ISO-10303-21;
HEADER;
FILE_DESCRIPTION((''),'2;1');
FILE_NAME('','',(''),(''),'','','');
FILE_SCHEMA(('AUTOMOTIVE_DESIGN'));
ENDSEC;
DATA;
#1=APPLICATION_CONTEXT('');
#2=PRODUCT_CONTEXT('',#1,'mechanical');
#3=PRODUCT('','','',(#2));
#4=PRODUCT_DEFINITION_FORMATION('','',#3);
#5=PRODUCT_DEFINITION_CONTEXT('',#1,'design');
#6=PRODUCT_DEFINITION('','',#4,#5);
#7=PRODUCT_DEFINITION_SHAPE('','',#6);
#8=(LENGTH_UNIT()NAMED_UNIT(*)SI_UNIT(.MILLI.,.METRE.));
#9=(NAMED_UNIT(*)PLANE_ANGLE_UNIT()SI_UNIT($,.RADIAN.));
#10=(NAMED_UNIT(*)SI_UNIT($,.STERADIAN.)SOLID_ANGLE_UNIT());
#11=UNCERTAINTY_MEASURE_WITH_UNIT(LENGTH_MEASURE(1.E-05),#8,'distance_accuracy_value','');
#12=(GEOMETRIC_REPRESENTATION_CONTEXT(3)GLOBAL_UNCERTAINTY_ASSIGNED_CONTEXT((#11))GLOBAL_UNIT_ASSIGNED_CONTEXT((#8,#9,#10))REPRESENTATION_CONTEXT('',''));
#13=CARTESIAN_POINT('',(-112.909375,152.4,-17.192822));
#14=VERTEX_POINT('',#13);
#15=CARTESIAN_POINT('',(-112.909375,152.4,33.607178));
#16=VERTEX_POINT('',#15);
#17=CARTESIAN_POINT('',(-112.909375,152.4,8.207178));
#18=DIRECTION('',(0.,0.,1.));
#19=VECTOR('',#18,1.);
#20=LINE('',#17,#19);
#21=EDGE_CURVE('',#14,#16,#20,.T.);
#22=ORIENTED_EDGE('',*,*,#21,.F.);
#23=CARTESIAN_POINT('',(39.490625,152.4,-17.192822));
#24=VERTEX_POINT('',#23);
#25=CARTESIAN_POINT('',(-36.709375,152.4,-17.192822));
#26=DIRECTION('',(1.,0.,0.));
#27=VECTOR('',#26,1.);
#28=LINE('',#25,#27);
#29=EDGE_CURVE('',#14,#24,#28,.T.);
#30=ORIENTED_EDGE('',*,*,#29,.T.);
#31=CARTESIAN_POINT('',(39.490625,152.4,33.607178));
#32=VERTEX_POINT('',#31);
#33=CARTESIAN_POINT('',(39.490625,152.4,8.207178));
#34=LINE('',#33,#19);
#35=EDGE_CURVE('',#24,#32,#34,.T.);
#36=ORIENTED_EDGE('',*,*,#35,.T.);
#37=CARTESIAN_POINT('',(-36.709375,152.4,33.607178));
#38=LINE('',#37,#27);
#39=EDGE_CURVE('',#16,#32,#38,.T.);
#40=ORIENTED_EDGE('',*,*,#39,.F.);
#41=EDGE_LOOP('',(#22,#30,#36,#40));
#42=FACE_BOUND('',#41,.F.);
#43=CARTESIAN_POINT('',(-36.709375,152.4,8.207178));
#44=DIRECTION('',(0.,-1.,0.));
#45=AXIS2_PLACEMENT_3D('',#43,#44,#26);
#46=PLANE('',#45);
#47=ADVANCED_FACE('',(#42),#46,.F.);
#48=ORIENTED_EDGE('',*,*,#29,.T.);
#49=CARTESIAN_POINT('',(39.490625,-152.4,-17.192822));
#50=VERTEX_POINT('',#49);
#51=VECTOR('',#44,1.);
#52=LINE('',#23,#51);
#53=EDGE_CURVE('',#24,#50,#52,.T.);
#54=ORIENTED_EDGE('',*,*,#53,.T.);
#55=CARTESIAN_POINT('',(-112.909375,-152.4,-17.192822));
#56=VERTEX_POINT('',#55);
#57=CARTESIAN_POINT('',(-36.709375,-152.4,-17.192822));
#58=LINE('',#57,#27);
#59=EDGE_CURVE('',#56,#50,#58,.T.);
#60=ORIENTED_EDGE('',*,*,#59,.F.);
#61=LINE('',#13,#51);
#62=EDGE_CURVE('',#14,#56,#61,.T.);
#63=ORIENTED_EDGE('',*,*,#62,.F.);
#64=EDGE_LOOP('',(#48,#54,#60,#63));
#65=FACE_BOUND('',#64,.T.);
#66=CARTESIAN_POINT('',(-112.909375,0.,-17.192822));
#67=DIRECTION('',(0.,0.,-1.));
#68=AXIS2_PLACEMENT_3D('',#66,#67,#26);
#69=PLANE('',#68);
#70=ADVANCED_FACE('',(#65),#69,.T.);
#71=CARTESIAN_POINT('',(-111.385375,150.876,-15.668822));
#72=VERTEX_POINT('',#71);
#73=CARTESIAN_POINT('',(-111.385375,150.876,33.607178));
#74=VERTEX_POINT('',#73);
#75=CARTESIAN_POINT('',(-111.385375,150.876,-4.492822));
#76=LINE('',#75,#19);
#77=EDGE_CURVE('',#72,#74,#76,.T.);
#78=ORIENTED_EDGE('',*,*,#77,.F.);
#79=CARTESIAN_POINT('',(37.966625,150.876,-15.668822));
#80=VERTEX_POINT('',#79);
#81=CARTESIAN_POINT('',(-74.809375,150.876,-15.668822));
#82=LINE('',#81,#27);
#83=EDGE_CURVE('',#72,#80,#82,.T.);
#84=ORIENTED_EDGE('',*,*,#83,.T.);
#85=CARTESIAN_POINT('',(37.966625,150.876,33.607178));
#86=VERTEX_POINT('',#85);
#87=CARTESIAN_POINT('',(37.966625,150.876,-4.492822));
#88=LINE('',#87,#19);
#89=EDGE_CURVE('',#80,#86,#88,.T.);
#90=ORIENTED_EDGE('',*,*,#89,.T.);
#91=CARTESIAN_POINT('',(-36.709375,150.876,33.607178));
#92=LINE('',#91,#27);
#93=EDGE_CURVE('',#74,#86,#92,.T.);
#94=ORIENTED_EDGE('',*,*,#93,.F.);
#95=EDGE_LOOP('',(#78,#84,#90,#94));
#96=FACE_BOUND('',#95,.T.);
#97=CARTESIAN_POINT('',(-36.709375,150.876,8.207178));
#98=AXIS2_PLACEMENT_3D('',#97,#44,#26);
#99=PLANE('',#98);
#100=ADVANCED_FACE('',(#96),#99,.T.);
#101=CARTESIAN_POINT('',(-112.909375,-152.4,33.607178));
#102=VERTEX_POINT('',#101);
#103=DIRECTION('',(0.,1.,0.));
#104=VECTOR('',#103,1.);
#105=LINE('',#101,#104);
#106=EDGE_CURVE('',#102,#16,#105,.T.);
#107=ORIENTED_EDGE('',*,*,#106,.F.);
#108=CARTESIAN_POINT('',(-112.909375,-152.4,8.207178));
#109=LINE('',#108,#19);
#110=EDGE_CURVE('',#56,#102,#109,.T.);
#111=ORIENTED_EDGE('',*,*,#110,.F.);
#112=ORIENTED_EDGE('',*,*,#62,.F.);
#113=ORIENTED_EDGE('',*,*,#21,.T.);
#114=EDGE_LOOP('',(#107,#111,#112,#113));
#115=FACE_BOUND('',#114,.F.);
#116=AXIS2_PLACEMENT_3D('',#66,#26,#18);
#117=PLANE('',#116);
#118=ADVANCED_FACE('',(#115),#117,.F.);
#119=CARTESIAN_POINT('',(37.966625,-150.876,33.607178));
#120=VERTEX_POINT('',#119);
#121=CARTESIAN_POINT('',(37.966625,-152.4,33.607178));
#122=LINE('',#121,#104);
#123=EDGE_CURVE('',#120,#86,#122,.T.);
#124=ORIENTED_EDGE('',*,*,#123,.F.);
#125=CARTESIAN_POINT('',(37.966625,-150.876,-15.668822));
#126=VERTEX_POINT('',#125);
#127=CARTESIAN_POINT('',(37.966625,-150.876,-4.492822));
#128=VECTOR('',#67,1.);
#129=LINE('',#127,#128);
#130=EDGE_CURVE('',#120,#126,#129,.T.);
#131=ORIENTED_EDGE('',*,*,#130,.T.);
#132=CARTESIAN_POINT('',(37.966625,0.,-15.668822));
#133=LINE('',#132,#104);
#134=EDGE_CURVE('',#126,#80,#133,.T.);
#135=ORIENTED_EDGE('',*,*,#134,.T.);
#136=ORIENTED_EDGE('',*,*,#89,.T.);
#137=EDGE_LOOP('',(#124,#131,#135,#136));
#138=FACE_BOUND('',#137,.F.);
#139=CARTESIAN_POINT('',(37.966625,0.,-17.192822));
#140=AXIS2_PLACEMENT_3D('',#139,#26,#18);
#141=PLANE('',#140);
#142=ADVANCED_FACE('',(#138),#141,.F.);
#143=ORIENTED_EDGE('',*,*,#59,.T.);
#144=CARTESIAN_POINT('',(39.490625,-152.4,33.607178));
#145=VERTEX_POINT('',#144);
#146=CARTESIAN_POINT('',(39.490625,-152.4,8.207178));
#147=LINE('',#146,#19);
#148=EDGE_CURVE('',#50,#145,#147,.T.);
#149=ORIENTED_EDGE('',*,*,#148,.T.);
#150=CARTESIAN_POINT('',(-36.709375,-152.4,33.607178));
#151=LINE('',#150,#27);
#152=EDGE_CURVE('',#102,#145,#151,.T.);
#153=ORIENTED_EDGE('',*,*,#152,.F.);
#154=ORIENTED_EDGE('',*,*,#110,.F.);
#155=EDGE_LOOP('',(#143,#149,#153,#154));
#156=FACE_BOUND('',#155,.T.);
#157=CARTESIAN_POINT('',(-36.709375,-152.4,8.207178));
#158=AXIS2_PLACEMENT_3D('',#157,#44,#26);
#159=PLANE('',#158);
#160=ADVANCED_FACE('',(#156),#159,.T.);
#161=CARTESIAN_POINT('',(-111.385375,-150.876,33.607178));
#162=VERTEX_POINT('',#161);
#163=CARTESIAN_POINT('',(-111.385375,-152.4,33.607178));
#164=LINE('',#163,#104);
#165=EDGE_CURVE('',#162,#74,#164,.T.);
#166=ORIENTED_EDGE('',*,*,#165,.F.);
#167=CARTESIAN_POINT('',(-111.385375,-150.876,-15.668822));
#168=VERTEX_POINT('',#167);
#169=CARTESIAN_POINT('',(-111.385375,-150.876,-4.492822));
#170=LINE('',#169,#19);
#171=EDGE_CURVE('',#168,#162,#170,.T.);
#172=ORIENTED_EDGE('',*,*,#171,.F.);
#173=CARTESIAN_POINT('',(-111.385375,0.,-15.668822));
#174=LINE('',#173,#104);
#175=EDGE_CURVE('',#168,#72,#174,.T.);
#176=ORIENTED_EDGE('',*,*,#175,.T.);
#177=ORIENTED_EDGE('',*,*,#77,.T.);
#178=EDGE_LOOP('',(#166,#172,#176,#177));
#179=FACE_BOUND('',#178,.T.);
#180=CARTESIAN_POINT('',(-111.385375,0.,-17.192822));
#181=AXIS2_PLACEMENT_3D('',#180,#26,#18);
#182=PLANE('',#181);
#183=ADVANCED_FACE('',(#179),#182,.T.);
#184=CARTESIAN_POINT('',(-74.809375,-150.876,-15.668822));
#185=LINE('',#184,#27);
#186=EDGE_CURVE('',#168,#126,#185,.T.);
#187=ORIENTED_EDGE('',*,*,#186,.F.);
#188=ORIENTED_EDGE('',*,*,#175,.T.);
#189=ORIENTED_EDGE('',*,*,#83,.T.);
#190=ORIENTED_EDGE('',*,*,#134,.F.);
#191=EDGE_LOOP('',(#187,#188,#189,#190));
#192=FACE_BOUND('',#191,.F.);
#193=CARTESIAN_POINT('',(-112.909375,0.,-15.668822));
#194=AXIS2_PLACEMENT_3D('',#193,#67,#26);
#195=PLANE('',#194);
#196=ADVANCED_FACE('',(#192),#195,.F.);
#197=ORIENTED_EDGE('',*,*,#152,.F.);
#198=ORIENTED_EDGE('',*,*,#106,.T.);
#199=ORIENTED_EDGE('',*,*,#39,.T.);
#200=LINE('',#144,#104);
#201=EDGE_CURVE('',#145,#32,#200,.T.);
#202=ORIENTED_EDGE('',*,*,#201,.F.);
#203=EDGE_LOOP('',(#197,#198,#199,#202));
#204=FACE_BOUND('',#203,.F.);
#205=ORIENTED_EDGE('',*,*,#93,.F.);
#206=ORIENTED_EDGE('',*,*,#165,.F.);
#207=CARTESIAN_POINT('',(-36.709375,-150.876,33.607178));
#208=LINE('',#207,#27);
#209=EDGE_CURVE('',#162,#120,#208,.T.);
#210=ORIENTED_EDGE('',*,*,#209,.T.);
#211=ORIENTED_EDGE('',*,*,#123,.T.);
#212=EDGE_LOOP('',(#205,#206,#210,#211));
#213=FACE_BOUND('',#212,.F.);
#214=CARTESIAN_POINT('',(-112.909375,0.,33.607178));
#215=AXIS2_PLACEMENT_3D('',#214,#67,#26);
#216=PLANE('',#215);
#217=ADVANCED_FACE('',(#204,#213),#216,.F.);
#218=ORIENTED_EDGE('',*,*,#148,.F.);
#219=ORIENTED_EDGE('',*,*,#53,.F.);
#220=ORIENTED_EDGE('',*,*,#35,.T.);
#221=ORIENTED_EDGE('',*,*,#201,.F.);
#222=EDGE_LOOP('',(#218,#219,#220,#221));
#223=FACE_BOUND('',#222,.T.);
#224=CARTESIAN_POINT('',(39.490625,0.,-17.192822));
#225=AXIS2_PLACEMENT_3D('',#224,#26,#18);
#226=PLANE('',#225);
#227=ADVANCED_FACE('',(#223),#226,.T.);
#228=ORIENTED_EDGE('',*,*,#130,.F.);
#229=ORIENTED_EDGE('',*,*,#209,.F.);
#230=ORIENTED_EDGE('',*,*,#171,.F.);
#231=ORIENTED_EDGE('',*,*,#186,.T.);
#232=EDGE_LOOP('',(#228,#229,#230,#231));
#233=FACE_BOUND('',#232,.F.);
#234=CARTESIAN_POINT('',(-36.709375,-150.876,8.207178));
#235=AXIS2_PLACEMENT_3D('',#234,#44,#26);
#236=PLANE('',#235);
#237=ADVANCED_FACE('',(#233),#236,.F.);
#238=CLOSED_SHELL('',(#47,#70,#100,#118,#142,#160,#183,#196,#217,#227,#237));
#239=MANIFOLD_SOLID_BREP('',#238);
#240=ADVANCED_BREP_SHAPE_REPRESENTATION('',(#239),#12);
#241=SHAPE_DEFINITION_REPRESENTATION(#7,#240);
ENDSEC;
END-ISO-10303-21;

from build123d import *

# Parameters (mm, degrees)
F0_W     = 152.4
F0_H     = 50.8
F1_DEPTH = 152.4
F2_T     = -1.524


with BuildPart() as f1:
    # F0 (on Front) → F1 (new body, symmetric)
    with BuildSketch(Plane.XZ):
        with Locations((-36.709375, 8.207178)):
            Rectangle(F0_W, F0_H)
    extrude(amount=F1_DEPTH, both=True)

    # F2
    f2_openings = [f1.faces().sort_by_distance(p)[0] for p in [
        (-36.709375, 0, 33.607178),
    ]]
    offset(amount=F2_T, openings=f2_openings)


solid = f1.part
